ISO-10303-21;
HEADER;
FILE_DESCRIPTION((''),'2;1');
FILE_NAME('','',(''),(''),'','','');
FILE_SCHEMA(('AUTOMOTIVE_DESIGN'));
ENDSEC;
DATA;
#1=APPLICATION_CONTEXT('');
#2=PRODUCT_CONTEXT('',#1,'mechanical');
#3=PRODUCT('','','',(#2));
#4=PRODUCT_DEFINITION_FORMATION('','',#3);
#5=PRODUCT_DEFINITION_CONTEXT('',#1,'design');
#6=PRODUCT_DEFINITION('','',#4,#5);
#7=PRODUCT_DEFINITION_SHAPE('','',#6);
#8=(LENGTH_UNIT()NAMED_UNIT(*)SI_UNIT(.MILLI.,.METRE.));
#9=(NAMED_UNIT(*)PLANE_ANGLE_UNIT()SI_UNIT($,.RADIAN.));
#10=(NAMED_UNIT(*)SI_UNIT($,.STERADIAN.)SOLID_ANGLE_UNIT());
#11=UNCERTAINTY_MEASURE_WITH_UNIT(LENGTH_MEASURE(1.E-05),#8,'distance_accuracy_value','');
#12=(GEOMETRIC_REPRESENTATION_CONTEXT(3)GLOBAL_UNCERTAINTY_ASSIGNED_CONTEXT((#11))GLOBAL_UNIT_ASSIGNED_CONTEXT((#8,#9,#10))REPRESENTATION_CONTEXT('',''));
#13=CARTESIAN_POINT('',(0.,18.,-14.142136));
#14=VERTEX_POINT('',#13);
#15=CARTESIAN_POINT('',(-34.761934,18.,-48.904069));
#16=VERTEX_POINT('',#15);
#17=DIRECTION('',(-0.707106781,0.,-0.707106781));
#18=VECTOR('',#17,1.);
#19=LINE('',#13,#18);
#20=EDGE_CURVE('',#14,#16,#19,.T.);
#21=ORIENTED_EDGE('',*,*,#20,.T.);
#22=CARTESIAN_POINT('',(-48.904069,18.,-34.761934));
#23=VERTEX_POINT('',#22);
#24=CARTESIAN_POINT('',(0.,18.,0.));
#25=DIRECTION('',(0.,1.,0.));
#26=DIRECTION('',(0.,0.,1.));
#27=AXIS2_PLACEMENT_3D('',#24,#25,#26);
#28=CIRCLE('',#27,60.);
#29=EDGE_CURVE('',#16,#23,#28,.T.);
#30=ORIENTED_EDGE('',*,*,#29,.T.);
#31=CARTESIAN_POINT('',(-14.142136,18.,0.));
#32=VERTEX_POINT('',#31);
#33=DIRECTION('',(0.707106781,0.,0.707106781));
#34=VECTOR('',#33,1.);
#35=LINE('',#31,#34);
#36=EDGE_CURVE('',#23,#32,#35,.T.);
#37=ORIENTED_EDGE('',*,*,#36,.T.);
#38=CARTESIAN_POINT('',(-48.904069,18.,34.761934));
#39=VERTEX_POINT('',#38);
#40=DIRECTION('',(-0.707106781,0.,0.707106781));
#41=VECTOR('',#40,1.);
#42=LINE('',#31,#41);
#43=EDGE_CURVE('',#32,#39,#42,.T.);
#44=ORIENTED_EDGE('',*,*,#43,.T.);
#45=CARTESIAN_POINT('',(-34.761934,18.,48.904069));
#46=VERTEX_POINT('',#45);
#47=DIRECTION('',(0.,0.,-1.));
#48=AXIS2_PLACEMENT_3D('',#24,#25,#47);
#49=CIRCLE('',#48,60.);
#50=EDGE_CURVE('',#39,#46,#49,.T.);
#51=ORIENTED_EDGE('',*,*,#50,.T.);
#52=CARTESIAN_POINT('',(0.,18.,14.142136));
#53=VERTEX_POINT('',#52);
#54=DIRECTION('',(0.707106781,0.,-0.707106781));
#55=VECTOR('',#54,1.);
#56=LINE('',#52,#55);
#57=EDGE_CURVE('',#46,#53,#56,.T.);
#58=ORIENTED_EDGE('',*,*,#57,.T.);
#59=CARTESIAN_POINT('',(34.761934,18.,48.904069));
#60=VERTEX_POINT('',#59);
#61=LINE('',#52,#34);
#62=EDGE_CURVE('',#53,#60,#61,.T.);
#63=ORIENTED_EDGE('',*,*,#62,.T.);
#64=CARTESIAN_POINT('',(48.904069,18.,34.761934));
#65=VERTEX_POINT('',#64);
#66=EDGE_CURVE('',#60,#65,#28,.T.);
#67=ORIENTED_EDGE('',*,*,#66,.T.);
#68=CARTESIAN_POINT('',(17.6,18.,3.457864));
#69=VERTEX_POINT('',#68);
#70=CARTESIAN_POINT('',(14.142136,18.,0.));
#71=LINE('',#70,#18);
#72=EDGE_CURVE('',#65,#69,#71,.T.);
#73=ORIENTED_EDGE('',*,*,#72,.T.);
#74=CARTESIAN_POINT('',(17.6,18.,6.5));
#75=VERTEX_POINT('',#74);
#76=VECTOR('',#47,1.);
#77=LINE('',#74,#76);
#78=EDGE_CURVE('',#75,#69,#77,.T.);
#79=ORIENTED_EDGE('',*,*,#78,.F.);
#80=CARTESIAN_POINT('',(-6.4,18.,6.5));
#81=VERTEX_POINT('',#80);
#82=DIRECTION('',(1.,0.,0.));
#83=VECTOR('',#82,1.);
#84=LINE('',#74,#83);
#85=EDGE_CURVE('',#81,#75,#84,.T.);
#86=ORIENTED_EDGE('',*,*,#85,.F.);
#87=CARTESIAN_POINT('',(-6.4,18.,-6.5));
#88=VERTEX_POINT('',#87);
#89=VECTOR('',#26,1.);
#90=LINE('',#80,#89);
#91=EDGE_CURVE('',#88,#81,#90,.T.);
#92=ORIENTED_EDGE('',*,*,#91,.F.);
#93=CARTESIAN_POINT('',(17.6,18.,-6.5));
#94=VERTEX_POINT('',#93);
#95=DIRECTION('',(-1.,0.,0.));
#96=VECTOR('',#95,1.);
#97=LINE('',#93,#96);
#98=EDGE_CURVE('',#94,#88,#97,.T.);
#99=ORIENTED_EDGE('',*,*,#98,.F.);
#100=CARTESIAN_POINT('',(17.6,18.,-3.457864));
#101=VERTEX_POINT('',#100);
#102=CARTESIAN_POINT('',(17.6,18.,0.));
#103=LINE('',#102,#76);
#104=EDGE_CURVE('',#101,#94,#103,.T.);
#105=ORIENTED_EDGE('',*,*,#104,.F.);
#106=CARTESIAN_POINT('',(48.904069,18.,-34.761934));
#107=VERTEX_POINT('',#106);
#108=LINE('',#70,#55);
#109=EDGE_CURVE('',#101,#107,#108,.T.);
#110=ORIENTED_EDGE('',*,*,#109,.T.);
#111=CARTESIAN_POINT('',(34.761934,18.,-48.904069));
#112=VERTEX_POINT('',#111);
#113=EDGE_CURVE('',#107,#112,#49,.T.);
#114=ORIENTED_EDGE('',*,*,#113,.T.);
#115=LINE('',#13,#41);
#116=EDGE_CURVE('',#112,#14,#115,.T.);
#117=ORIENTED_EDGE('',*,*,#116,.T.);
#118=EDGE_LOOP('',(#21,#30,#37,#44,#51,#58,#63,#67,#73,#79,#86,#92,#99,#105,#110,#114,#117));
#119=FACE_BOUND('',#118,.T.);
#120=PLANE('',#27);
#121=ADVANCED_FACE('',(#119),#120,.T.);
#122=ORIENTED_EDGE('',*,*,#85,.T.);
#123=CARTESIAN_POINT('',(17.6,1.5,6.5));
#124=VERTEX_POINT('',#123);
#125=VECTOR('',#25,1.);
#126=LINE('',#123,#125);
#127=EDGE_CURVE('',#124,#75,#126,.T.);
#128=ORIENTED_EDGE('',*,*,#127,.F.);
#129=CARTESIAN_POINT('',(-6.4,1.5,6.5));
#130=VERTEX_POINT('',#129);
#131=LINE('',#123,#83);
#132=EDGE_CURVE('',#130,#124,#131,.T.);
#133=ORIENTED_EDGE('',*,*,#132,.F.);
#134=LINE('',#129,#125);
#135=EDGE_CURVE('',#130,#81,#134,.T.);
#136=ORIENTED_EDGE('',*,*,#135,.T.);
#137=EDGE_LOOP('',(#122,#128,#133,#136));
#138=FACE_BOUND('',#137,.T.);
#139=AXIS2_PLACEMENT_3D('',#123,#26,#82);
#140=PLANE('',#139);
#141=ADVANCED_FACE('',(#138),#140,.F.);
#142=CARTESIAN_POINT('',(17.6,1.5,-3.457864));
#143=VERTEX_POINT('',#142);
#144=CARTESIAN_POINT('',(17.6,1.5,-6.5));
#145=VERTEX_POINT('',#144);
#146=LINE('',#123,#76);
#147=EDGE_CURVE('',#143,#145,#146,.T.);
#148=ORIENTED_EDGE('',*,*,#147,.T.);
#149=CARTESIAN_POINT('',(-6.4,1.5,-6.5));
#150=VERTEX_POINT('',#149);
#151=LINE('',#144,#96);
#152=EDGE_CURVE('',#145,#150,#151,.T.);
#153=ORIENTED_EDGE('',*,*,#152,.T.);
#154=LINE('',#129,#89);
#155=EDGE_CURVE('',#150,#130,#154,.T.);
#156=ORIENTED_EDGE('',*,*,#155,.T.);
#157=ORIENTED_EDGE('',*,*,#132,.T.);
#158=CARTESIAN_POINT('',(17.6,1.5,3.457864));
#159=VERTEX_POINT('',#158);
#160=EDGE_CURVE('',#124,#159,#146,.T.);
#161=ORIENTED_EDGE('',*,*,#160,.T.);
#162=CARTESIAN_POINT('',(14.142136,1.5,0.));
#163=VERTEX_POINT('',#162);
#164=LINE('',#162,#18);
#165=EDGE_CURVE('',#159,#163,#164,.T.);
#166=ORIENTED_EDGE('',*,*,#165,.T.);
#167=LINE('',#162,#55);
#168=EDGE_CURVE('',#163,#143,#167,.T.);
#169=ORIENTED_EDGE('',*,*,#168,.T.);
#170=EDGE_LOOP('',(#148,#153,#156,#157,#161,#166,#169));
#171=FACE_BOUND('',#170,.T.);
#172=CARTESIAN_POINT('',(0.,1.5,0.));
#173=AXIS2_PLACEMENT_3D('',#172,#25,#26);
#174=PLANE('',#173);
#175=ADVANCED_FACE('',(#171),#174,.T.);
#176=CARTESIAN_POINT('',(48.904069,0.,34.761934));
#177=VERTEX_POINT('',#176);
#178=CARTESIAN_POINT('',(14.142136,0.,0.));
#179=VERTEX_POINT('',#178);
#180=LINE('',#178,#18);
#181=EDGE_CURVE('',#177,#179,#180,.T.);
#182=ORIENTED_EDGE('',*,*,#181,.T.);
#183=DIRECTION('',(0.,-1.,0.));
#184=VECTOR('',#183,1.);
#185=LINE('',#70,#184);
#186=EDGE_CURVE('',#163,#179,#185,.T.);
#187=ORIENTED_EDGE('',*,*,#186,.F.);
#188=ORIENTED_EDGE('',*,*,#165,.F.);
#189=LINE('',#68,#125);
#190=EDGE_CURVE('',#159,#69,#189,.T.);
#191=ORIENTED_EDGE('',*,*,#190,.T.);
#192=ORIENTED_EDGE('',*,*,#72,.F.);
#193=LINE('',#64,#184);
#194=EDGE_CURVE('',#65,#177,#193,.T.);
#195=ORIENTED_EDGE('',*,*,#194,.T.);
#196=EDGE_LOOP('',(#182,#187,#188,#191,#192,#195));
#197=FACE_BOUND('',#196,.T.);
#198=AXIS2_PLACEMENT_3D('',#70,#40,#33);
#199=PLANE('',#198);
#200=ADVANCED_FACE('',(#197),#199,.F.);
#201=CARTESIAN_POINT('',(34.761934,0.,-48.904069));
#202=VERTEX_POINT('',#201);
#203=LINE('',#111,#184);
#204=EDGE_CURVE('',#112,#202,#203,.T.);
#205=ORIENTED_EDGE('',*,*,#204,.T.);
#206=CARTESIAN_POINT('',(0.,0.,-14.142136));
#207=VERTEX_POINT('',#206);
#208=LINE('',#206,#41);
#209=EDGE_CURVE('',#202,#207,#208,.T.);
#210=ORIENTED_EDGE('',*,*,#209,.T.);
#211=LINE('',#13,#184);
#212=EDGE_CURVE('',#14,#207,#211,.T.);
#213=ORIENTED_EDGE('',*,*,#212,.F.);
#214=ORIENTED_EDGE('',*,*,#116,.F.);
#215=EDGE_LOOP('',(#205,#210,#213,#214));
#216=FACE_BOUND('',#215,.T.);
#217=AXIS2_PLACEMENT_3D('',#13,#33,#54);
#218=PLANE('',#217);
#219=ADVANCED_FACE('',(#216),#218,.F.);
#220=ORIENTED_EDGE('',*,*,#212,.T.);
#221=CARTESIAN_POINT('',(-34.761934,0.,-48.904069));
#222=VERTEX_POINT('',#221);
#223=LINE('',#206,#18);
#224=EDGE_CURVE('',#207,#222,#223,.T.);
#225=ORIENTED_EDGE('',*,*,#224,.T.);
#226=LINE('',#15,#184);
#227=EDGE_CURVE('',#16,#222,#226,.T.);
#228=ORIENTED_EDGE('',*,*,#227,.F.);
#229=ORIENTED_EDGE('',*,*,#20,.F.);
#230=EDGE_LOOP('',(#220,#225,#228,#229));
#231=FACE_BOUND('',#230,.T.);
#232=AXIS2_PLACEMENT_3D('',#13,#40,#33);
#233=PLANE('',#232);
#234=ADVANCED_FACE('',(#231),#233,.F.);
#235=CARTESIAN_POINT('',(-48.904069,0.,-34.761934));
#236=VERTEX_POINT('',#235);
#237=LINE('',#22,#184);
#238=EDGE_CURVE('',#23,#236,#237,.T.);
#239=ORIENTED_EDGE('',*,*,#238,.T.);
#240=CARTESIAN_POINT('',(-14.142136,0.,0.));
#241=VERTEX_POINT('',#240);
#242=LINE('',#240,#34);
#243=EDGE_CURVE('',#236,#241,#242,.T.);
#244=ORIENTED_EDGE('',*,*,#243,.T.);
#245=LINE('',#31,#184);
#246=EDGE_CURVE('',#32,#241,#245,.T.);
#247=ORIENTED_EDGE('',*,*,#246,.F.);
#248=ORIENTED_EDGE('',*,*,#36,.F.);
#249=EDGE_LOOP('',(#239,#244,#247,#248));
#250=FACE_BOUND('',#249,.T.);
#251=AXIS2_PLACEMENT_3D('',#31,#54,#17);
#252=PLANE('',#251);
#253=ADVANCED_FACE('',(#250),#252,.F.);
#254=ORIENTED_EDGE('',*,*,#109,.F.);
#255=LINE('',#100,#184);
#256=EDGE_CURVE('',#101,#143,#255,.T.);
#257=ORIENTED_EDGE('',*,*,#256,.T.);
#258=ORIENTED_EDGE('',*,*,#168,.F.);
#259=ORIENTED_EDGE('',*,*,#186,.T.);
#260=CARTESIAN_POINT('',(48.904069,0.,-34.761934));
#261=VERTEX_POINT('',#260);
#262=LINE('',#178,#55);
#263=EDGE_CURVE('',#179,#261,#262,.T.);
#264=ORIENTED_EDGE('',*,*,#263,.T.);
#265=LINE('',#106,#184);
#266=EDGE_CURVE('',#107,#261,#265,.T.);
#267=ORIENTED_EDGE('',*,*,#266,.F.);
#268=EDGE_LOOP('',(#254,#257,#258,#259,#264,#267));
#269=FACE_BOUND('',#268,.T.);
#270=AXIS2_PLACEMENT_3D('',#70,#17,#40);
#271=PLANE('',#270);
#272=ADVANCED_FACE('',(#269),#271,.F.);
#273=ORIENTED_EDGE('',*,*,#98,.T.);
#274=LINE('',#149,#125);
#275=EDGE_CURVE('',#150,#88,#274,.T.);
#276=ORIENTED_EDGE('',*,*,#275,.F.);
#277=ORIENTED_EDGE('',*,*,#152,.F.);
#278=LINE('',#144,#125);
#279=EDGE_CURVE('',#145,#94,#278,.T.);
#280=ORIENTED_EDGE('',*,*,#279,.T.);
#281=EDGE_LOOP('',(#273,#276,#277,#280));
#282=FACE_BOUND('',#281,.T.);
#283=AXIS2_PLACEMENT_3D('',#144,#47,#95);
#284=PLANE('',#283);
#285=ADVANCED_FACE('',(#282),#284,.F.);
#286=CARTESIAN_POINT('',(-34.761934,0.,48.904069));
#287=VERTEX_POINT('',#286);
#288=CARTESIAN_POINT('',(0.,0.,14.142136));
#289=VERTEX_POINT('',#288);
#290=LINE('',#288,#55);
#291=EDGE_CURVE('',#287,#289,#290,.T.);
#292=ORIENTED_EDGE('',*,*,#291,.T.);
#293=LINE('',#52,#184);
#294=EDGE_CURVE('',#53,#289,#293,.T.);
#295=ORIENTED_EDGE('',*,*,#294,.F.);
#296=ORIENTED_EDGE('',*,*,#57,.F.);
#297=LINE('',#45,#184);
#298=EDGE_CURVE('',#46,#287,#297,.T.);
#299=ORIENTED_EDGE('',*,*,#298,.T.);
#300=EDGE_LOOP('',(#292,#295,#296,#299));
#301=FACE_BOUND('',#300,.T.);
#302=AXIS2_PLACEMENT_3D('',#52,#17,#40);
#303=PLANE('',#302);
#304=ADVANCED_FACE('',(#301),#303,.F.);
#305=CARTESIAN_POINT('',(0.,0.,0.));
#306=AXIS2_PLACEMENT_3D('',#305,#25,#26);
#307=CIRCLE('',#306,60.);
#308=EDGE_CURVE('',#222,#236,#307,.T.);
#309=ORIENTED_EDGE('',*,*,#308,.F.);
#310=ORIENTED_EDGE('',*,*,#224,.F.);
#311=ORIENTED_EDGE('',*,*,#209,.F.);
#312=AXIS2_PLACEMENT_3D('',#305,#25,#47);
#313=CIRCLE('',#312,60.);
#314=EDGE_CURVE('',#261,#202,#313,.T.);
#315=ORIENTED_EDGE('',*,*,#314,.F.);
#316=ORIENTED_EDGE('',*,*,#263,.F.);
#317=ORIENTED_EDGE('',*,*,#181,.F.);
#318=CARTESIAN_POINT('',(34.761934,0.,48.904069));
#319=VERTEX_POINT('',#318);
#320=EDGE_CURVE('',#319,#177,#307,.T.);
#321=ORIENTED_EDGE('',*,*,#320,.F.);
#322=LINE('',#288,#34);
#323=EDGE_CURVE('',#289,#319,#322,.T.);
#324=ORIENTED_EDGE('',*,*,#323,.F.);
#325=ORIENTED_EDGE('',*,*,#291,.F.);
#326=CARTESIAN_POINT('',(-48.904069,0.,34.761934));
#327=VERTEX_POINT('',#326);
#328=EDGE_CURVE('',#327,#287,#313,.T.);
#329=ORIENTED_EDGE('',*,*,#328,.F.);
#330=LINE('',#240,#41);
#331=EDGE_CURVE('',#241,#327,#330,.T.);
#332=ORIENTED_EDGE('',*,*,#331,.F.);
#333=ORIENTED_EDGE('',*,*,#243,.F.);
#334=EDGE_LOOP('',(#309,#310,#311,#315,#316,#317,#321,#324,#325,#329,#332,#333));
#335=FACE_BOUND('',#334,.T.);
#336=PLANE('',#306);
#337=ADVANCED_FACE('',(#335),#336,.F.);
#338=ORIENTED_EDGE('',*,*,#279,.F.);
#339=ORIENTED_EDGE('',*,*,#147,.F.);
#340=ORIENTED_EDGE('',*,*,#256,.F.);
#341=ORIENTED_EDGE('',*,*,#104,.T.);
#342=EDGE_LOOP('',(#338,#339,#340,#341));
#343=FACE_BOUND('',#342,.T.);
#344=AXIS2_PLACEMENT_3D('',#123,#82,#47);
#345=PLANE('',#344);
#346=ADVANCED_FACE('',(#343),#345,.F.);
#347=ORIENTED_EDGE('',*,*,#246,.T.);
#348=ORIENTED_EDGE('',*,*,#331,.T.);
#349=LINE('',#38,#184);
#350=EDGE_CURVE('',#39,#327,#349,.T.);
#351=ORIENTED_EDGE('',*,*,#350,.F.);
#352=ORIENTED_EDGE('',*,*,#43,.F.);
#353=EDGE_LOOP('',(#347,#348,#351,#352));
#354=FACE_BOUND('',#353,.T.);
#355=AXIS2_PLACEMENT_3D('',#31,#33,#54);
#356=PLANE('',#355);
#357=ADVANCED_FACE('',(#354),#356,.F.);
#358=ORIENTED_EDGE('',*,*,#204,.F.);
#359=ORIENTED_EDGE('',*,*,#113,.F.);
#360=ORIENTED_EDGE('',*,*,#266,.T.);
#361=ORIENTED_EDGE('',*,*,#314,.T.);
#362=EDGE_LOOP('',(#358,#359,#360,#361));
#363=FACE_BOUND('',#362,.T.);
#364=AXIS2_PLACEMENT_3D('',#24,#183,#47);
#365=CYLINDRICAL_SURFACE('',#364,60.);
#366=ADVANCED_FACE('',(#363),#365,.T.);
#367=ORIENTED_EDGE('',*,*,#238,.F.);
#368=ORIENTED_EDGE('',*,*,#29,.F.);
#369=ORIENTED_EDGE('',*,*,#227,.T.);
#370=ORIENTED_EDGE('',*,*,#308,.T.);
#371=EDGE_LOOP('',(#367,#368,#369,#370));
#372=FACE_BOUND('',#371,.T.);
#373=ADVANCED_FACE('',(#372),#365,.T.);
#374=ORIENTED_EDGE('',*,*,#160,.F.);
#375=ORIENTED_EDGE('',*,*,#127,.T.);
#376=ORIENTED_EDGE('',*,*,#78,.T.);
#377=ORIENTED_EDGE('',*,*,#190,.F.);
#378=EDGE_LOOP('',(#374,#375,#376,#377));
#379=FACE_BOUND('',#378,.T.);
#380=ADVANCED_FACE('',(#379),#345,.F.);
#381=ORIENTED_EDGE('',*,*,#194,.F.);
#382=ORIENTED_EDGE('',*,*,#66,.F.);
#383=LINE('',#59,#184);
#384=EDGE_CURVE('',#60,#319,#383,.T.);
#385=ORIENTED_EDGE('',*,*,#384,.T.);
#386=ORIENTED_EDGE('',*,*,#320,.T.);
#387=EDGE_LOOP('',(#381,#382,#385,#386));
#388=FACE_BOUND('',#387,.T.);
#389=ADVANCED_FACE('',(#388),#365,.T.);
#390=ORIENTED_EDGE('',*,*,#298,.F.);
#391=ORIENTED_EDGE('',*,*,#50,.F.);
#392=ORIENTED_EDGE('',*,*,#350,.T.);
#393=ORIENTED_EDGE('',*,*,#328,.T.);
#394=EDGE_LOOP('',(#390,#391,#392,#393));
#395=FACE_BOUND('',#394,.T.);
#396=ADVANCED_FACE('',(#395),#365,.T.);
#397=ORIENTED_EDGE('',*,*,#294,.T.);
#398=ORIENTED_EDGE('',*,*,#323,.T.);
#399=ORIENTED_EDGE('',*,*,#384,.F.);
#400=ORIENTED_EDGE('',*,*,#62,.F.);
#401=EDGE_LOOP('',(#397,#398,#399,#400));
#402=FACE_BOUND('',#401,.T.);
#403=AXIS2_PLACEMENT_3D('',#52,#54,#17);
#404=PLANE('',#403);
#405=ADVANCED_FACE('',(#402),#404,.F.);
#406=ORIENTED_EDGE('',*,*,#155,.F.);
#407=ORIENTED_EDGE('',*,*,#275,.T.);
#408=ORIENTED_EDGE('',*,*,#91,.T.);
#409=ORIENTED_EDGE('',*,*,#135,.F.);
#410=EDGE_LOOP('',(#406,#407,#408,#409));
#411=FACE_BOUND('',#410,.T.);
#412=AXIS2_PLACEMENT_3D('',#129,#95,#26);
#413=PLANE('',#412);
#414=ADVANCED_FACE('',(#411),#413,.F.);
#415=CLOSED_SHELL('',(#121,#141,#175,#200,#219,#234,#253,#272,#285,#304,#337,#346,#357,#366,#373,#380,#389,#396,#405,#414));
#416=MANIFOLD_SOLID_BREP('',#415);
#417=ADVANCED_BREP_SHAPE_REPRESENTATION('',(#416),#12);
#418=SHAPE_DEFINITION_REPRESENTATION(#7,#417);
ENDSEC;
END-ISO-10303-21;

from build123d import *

# Parameters (mm, degrees)
BOSS_EXTRUDE2_DEPTH = 18
SKETCH7_W           = 24
SKETCH7_H           = 13
CUT_EXTRUDE8_DEPTH  = 16.5


with BuildPart() as part:
    # Sketch2 → Boss-Extrude2 (new body)
    with BuildSketch(Plane(origin=(0, 0, 0), x_dir=(1, 0, 0), z_dir=(0, 1, 0))):
        with BuildLine():
            Line((14.142135624, 0), (48.904069139, 34.761933515))
            ThreePointArc((48.904069139, 34.761933515), (42.426406871, 42.426406871), (34.761933515, 48.904069139))
            Line((34.761933515, 48.904069139), (0, 14.142135624))
            Line((0, 14.142135624), (-34.761933515, 48.904069139))
            ThreePointArc((-34.761933515, 48.904069139), (-42.426406871, 42.426406871), (-48.904069139, 34.761933515))
            Line((-48.904069139, 34.761933515), (-14.142135624, 0))
            Line((-14.142135624, 0), (-48.904069139, -34.761933515))
            ThreePointArc((-48.904069139, -34.761933515), (-42.426406871, -42.426406871), (-34.761933515, -48.904069139))
            Line((-34.761933515, -48.904069139), (0, -14.142135624))
            Line((0, -14.142135624), (34.761933515, -48.904069139))
            ThreePointArc((34.761933515, -48.904069139), (42.426406871, -42.426406871), (48.904069139, -34.761933515))
            Line((48.904069139, -34.761933515), (14.142135624, 0))
        make_face()
    extrude(amount=BOSS_EXTRUDE2_DEPTH)

    # Sketch7 → Cut-Extrude8 (cut)
    with BuildSketch(Plane(origin=(0, 18, 0), x_dir=(1, 0, 0), z_dir=(0, 1, 0))):
        with Locations((5.6, 0)):
            Rectangle(SKETCH7_W, SKETCH7_H)
    extrude(amount=-CUT_EXTRUDE8_DEPTH, mode=Mode.SUBTRACT)


solid = part.part
